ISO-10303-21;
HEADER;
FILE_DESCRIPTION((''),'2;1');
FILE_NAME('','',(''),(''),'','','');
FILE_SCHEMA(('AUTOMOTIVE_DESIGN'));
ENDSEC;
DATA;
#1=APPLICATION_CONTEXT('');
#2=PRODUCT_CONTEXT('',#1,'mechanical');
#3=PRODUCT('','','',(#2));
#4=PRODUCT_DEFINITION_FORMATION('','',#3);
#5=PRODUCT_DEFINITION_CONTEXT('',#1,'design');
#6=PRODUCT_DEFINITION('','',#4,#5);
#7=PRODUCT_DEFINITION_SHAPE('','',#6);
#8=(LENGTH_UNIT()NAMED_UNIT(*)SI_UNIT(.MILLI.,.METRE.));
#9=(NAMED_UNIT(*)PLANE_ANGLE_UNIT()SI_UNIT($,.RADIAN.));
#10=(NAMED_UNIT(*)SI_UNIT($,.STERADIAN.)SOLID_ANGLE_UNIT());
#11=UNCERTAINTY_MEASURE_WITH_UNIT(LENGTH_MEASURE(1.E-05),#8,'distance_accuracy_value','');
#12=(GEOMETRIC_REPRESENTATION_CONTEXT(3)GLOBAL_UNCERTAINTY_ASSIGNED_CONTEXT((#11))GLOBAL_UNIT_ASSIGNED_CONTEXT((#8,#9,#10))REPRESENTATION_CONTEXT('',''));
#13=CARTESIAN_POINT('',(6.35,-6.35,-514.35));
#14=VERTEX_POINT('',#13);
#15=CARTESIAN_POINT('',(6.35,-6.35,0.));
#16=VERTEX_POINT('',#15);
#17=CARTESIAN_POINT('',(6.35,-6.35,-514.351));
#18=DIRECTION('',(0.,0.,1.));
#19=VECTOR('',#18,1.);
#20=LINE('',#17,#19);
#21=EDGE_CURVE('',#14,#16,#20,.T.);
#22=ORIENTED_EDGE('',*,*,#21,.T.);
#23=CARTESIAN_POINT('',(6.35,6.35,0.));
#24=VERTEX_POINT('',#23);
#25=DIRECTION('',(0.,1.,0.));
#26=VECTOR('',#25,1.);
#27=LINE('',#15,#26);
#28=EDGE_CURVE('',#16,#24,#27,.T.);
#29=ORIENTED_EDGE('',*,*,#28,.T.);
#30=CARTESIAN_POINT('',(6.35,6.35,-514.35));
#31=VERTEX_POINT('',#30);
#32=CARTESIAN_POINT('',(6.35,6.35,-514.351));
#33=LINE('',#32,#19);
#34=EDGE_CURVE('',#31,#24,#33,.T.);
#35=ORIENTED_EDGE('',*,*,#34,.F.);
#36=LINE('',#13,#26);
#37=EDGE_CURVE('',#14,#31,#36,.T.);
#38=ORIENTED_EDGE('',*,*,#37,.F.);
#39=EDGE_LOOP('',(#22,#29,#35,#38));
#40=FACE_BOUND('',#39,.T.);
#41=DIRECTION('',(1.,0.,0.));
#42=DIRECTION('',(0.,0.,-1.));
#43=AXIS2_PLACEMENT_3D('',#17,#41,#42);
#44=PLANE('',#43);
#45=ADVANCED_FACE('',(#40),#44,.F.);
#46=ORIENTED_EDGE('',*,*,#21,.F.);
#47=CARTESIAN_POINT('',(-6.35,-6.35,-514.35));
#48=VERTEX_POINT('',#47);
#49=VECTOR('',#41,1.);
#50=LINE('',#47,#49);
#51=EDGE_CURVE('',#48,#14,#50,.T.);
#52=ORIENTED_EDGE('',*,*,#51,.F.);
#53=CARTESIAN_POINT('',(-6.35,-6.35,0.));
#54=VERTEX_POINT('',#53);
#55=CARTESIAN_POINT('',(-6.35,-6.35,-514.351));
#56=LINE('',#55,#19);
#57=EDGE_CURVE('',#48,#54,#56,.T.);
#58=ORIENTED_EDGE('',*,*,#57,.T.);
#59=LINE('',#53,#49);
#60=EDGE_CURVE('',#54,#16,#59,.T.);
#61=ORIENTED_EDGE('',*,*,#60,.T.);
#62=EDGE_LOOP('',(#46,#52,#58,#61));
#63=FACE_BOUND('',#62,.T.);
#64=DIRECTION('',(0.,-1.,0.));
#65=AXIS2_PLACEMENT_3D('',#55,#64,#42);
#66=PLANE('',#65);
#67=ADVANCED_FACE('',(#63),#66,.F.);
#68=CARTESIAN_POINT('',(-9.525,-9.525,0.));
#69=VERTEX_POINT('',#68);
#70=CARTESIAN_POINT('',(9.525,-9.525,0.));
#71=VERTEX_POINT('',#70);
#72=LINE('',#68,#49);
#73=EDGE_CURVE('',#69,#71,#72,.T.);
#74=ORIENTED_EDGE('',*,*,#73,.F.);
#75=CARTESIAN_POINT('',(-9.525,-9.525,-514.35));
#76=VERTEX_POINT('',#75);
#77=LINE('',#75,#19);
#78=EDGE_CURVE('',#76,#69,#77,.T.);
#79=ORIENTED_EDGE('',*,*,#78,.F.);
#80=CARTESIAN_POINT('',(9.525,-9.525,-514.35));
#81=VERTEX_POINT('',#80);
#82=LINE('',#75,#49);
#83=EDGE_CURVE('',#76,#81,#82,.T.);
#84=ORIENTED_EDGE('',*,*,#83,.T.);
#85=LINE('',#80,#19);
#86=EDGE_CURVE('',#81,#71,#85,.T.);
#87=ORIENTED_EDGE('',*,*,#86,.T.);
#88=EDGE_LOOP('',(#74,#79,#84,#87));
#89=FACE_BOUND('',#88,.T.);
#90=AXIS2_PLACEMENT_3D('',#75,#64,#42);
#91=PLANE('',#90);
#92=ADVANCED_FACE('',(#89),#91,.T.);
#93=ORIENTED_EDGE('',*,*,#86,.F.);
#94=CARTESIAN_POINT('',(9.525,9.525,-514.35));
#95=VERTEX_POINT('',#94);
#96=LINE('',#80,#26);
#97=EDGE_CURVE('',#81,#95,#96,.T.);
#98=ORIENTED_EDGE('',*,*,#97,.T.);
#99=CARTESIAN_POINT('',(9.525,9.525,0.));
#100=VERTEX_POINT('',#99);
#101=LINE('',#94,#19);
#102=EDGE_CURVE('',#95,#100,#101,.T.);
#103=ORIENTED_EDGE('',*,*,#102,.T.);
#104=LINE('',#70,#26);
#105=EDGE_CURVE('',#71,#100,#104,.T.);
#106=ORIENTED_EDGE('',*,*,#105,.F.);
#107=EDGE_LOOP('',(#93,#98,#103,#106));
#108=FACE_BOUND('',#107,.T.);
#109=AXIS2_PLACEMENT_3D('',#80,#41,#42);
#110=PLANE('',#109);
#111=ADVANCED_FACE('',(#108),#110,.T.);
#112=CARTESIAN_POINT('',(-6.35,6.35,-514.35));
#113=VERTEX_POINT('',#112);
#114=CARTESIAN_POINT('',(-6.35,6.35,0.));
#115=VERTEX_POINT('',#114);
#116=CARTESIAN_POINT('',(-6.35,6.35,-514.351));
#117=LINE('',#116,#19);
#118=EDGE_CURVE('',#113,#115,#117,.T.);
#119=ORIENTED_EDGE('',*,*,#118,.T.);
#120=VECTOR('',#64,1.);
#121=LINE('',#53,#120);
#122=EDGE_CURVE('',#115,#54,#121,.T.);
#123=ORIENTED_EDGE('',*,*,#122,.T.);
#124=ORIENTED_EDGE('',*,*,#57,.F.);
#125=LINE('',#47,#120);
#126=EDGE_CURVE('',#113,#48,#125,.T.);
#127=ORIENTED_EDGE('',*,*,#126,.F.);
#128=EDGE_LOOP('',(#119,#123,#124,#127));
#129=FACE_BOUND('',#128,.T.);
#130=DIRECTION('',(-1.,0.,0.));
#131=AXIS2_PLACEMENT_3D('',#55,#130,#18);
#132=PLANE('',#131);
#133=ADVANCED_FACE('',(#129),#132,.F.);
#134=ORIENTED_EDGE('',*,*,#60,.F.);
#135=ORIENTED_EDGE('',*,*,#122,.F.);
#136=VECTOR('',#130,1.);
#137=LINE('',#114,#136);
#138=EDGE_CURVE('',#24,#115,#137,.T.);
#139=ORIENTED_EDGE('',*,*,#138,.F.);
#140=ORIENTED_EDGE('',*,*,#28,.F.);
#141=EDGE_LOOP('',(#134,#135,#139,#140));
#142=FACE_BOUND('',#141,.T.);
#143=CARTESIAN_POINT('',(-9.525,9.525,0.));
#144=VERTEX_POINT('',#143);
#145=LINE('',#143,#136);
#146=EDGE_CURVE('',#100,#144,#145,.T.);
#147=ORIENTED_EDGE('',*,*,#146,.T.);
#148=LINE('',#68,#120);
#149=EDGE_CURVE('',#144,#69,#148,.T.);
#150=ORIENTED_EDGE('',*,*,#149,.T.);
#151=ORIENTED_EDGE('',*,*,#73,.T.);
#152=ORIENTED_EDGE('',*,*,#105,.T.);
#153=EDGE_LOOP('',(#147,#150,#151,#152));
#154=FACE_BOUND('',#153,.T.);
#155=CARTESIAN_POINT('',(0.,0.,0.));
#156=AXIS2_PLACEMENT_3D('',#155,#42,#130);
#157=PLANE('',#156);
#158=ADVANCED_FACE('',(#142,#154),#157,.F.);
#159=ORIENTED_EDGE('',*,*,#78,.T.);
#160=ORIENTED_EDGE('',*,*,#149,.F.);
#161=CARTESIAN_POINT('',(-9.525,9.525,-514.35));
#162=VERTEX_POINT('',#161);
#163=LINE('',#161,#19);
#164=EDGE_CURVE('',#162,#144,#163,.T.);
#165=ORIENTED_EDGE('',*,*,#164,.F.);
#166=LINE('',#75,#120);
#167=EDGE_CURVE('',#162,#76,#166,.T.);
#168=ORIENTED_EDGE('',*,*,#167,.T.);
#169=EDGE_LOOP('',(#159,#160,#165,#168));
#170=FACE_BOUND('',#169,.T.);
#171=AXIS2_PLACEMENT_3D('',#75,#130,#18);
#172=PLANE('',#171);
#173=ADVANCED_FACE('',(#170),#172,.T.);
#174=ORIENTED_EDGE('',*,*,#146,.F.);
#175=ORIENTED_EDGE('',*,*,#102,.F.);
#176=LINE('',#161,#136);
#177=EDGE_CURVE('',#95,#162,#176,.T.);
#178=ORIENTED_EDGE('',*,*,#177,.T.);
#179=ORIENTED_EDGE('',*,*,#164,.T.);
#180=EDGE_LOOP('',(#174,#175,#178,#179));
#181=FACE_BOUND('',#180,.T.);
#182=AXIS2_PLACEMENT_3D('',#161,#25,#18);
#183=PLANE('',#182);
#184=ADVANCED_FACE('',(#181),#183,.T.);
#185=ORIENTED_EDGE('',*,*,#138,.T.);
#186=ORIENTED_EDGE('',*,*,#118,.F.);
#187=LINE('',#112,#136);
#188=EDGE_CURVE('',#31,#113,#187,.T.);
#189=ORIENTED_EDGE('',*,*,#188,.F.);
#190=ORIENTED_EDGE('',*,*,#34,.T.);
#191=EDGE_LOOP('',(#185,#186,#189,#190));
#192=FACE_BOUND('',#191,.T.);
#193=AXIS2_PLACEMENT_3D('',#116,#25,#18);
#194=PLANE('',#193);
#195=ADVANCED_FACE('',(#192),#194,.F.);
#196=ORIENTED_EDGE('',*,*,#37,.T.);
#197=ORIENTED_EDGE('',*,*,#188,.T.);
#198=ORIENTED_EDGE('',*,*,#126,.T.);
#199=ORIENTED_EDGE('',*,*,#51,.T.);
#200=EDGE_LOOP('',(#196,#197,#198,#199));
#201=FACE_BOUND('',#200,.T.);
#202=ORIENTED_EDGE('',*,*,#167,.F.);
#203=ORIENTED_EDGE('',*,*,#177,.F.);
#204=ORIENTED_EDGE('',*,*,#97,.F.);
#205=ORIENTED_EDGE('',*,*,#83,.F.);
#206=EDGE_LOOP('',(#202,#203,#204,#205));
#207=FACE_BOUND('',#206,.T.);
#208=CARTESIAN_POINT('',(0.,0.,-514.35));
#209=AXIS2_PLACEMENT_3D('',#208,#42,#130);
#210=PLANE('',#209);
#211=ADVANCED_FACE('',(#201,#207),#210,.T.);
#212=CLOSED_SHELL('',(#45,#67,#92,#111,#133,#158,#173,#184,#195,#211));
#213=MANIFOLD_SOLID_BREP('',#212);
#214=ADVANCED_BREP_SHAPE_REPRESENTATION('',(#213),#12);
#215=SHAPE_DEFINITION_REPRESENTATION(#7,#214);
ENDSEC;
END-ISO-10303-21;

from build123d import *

# Parameters (mm, degrees)
SKETCH1_W           = 19.05
SKETCH1_H           = 19.05
BOSS_EXTRUDE1_DEPTH = 514.35
CUT_EXTRUDE1_REACH  = 516.35
SKETCH2_W           = 12.7
SKETCH2_H           = 12.7


with BuildPart() as part:
    # Sketch1 → Boss-Extrude1 (new body)
    with BuildSketch(Plane.XY):
        Rectangle(SKETCH1_W, SKETCH1_H)
    extrude(amount=-BOSS_EXTRUDE1_DEPTH)

    # Sketch2 → Cut-Extrude1 (cut, up to next)
    with BuildSketch(Plane.XY, mode=Mode.PRIVATE) as cut_extrude1_sk1:
        Rectangle(SKETCH2_W, SKETCH2_H)
    cut_extrude1_tool1 = extrude(cut_extrude1_sk1.sketch, amount=-CUT_EXTRUDE1_REACH, mode=Mode.PRIVATE) & part.part
    add(cut_extrude1_tool1.solids().sort_by_distance((0, 0, 0))[0], mode=Mode.SUBTRACT)


solid = part.part
